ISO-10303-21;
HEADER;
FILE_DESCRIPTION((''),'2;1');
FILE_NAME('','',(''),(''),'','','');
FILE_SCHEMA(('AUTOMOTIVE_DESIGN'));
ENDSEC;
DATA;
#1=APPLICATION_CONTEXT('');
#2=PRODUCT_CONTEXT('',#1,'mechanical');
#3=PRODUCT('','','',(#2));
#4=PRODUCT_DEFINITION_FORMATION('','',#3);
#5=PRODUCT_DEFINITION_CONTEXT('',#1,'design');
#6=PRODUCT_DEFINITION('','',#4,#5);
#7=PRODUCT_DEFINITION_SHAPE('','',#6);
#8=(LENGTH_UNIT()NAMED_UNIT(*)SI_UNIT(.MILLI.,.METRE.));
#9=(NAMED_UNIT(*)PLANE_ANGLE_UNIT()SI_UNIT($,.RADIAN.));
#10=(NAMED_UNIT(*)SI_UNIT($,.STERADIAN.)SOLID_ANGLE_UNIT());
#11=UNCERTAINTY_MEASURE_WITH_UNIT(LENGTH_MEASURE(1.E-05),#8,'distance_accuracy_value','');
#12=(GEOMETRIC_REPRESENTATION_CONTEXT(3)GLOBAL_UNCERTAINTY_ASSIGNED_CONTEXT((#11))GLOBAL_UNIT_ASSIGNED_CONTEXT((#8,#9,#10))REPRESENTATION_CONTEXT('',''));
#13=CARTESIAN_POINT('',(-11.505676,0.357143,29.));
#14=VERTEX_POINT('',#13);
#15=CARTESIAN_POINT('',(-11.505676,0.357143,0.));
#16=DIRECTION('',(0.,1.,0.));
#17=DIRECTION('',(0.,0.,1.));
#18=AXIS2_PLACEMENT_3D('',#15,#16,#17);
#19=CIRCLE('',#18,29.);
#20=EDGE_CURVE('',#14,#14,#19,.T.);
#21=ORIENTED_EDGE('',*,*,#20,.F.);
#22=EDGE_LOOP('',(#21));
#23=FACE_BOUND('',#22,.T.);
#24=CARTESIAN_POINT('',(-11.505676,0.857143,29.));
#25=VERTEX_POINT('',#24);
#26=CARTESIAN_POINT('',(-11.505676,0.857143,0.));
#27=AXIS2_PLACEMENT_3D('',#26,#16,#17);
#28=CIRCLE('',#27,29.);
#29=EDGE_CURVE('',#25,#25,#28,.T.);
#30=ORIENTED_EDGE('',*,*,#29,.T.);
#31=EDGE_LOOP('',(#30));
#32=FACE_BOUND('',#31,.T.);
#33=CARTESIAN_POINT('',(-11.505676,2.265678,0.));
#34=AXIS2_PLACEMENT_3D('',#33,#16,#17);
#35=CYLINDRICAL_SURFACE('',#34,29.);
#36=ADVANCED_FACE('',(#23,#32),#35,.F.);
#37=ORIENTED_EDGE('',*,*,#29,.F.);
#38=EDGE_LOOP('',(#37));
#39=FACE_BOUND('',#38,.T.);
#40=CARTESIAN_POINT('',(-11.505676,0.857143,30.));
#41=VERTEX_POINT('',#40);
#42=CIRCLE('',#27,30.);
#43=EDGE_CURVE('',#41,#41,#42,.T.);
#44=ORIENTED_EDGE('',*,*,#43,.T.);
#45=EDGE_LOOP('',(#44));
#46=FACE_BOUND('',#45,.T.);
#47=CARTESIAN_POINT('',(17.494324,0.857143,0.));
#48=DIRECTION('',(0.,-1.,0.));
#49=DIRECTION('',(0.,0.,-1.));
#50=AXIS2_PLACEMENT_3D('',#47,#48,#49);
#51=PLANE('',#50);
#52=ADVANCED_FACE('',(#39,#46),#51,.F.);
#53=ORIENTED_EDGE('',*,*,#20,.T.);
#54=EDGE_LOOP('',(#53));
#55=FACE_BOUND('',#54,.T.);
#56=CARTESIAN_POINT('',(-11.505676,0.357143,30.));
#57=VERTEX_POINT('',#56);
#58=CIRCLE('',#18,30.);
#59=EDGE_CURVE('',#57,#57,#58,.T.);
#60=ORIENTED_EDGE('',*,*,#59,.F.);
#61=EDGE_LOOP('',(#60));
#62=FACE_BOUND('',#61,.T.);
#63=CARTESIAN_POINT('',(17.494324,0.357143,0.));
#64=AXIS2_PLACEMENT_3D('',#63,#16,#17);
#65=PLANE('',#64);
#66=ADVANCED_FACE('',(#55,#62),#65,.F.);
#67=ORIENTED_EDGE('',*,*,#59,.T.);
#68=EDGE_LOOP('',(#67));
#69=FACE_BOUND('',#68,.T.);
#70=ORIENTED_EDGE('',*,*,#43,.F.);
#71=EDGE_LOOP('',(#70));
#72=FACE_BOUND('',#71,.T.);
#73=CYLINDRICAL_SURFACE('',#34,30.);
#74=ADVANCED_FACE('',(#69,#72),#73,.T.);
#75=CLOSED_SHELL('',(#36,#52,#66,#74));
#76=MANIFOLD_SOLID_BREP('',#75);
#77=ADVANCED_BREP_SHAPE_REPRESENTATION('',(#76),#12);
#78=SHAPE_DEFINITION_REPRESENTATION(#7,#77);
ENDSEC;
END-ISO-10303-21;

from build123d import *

# Parameters (mm, degrees)
SKETCH1_W = 1
SKETCH1_H = 0.5


with BuildPart() as part:
    # Sketch1 → Revolve1 (revolve)
    with BuildSketch(Plane.XY, mode=Mode.PRIVATE) as revolve1_sk:
        with Locations((17.994324383, 0.607142857)):
            Rectangle(SKETCH1_W, SKETCH1_H)
    revolve(revolve1_sk.sketch.rotate(Axis((-11.505675617, 2.26567821, 0), (0, -1, 0)), 90), axis=Axis((-11.505675617, 2.26567821, 0), (0, -1, 0)))


solid = part.part
